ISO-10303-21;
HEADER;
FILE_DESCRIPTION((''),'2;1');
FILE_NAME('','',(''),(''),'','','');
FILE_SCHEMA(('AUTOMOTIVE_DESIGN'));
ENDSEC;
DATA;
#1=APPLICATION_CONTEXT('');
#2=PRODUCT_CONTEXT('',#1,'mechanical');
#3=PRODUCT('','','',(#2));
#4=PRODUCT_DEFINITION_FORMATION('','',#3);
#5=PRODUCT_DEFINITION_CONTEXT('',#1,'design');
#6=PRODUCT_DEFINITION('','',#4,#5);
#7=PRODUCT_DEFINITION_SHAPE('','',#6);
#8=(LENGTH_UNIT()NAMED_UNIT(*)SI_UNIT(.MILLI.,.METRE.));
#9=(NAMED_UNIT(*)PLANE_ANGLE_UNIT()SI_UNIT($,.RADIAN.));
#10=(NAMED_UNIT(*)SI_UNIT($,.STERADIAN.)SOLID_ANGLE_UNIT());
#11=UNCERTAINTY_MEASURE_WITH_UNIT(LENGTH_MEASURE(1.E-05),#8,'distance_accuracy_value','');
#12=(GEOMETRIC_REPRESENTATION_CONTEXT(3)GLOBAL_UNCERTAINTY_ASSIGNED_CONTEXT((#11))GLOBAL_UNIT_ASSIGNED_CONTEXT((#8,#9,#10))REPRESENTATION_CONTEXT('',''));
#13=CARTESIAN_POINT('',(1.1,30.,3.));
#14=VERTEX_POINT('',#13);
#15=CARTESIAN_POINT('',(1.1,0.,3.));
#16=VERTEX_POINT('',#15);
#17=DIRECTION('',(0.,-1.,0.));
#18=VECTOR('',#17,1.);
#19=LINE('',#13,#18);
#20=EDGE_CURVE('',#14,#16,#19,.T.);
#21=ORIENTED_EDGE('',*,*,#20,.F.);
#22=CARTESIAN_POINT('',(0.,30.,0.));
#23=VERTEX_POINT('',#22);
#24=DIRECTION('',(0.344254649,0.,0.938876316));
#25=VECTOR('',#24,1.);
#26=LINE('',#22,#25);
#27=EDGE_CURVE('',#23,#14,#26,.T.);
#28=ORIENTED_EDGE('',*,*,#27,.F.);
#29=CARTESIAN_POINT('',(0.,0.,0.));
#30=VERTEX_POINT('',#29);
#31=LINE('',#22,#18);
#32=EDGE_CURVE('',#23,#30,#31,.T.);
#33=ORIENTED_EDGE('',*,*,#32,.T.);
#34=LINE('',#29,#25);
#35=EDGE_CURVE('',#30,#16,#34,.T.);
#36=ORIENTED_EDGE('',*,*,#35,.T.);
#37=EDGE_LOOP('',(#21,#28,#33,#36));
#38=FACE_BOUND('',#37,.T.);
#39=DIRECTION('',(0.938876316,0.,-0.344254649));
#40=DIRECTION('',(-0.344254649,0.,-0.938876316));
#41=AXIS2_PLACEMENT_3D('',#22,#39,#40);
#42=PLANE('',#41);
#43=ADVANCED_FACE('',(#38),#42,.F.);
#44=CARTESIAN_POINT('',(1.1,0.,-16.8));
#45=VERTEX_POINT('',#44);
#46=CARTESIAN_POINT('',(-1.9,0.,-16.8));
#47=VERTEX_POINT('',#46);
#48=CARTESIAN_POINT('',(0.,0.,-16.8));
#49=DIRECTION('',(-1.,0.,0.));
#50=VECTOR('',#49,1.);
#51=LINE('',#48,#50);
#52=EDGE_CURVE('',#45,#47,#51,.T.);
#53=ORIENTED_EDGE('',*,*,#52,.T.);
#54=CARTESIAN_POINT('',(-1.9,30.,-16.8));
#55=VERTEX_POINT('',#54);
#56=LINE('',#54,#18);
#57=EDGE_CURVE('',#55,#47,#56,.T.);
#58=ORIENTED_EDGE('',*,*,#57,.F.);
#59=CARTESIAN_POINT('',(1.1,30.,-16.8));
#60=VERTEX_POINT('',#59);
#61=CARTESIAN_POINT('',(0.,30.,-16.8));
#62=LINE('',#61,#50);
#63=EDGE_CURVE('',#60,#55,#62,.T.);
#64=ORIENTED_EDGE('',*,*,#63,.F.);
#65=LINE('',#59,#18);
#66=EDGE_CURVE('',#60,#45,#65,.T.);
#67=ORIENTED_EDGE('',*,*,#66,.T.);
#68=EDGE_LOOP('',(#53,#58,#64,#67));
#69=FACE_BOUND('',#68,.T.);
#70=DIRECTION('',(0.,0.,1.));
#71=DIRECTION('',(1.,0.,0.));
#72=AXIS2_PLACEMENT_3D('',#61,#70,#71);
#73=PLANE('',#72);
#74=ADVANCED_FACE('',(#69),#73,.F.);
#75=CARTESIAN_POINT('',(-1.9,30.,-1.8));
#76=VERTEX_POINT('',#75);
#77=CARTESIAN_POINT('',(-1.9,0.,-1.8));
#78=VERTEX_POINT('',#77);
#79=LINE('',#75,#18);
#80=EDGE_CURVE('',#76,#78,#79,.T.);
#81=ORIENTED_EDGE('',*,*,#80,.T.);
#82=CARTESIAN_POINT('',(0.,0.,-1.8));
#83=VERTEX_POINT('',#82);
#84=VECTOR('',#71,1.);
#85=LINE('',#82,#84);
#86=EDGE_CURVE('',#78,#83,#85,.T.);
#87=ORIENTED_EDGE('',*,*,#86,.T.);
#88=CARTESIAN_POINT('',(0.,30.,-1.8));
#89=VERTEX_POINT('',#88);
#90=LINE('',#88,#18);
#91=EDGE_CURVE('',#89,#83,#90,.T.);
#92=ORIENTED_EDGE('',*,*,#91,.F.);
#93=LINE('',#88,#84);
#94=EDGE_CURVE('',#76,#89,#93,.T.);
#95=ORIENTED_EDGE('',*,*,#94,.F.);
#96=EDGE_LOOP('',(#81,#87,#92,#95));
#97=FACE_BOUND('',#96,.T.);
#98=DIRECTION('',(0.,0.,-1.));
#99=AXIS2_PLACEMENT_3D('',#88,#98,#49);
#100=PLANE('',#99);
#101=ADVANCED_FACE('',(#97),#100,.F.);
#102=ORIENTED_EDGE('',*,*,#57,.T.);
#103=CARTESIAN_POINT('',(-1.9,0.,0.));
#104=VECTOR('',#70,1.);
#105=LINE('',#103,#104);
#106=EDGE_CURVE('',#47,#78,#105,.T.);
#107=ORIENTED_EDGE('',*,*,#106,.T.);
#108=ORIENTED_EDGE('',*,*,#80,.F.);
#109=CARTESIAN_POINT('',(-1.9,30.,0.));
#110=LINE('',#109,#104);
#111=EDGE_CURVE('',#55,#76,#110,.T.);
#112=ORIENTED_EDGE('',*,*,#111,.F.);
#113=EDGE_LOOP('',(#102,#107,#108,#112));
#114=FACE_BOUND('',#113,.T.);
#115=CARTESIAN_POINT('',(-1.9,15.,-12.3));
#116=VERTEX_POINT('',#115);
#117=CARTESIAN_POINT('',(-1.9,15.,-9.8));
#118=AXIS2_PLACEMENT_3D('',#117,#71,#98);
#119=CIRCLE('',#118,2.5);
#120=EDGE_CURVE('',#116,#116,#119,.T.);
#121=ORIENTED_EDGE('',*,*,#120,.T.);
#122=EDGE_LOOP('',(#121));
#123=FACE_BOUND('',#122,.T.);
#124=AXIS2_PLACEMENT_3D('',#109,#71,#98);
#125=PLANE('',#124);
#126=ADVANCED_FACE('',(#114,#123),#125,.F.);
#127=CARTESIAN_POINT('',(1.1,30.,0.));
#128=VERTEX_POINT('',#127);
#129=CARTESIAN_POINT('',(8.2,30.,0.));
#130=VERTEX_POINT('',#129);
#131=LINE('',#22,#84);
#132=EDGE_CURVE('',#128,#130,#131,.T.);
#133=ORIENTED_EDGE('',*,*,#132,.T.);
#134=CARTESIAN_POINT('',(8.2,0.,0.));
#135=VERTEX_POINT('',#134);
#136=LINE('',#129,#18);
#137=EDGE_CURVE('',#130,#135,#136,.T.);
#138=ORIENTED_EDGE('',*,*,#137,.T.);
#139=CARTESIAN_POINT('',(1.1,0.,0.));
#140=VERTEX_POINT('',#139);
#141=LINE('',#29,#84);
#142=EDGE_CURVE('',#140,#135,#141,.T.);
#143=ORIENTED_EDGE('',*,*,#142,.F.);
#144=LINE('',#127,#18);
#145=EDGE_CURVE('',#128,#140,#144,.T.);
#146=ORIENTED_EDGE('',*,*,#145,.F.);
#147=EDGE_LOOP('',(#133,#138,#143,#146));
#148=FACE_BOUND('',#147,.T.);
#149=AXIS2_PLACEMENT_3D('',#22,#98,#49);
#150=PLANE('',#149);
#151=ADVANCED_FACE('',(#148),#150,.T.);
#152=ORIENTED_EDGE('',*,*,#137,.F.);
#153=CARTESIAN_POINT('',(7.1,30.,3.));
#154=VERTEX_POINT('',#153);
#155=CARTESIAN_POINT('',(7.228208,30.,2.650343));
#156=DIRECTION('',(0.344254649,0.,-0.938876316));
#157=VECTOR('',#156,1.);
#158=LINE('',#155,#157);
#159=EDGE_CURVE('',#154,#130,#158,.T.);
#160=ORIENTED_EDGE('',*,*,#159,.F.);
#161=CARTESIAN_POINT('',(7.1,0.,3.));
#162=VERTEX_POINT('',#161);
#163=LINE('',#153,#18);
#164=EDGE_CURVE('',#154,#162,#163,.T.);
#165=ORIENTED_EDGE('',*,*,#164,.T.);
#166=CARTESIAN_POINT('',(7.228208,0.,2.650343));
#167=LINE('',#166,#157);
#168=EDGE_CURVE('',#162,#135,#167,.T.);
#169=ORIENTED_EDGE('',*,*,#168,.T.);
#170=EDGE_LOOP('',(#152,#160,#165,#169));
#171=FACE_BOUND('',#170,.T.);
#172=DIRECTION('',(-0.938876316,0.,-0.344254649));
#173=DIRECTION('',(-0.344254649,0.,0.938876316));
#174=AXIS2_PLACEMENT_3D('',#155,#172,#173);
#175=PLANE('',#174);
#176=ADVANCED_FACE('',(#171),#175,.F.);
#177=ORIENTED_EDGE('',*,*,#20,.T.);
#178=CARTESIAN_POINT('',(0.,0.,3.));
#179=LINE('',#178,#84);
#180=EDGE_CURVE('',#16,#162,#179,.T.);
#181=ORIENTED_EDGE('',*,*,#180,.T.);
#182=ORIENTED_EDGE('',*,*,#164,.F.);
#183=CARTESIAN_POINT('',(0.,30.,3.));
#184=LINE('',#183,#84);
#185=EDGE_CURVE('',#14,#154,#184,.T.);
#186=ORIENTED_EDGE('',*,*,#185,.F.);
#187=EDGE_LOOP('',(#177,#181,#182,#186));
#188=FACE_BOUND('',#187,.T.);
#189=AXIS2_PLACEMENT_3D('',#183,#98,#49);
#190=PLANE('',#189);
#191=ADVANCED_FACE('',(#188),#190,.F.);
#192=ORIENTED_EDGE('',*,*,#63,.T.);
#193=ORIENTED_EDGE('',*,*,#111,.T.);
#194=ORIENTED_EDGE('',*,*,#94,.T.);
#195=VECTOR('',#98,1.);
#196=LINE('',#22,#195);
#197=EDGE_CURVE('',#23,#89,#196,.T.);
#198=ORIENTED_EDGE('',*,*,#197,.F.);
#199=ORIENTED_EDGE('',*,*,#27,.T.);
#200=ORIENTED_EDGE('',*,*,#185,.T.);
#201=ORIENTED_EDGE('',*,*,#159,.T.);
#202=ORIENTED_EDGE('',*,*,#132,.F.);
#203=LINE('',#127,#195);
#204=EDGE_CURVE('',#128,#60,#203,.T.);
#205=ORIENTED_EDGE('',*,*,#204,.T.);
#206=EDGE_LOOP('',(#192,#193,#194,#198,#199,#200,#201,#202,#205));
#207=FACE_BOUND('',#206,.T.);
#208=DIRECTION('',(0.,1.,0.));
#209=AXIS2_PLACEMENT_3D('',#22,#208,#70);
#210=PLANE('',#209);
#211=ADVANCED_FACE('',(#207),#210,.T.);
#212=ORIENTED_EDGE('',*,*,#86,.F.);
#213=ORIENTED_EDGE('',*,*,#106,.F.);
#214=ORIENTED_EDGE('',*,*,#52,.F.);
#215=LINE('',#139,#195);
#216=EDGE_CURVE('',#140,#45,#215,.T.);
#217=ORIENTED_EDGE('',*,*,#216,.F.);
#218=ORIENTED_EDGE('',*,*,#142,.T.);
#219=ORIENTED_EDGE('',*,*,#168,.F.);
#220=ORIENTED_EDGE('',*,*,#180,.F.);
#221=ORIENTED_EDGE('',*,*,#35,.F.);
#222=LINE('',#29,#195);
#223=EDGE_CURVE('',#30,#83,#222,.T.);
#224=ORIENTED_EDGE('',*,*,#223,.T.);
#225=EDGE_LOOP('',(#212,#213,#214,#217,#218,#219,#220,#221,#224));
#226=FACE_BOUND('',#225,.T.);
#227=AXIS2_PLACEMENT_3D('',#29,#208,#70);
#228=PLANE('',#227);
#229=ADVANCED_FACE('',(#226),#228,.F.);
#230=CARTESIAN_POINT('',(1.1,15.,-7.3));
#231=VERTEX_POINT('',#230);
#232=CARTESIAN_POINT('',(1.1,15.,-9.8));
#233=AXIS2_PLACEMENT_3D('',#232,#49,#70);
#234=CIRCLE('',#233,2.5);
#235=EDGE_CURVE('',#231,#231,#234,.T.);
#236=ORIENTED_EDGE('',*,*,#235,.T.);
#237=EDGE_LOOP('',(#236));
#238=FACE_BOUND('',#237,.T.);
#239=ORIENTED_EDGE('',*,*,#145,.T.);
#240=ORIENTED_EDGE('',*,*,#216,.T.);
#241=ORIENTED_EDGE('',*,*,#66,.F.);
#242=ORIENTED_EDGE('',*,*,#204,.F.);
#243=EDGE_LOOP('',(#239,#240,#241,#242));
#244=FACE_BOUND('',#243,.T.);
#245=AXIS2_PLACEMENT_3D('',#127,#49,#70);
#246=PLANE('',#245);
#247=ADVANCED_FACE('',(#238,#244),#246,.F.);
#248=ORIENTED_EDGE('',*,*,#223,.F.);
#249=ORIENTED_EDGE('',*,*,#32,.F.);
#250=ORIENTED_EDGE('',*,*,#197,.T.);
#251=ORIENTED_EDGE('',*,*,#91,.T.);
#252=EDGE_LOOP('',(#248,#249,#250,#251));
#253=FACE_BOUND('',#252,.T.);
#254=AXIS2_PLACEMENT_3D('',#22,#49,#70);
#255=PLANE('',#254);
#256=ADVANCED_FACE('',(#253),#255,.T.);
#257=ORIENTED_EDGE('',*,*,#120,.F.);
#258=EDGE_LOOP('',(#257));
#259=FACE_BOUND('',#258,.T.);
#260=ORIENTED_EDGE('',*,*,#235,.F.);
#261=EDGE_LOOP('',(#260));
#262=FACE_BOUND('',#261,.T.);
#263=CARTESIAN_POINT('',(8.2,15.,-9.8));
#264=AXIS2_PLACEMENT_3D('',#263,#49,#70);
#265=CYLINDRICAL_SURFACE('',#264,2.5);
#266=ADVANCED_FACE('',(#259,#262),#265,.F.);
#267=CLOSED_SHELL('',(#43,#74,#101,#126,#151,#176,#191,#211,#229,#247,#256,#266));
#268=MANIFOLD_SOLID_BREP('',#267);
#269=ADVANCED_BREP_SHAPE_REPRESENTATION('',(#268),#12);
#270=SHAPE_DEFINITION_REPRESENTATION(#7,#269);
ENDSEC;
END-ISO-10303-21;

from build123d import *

# Parameters (mm, degrees)
EXTRUDE_1_DEPTH          = 30
CUT_EXTRUDE_1_DEPTH      = 36.836433974
CUT_EXTRUDE_1_DEPTH_BACK = 36.836433974
SKETCH_2_R               = 2.5


with BuildPart() as part:
    # 草图1 → 凸台-拉伸1 (new body)
    with BuildSketch(Plane(origin=(0, 0, 0), x_dir=(1, 0, 0), z_dir=(0, 1, 0))):
        Polygon((0, 1.8), (0, 0), (1.1, 0), (1.1, 16.8), (-1.9, 16.8), (-1.9, 1.8), align=None)
        Polygon((1.1, -3), (7.1, -3), (8.2, 0), (0, 0), align=None)
    extrude(amount=EXTRUDE_1_DEPTH)

    # 草图2 → 切除-拉伸1 (cut, two sides: drawn at the far end of the back side and taken through both)
    with BuildSketch(Plane.ZY.offset(1.9).offset(-CUT_EXTRUDE_1_DEPTH_BACK)):
        with Locations((-9.8, 15)):
            Circle(SKETCH_2_R)
    extrude(amount=CUT_EXTRUDE_1_DEPTH + CUT_EXTRUDE_1_DEPTH_BACK, mode=Mode.SUBTRACT)


solid = part.part
